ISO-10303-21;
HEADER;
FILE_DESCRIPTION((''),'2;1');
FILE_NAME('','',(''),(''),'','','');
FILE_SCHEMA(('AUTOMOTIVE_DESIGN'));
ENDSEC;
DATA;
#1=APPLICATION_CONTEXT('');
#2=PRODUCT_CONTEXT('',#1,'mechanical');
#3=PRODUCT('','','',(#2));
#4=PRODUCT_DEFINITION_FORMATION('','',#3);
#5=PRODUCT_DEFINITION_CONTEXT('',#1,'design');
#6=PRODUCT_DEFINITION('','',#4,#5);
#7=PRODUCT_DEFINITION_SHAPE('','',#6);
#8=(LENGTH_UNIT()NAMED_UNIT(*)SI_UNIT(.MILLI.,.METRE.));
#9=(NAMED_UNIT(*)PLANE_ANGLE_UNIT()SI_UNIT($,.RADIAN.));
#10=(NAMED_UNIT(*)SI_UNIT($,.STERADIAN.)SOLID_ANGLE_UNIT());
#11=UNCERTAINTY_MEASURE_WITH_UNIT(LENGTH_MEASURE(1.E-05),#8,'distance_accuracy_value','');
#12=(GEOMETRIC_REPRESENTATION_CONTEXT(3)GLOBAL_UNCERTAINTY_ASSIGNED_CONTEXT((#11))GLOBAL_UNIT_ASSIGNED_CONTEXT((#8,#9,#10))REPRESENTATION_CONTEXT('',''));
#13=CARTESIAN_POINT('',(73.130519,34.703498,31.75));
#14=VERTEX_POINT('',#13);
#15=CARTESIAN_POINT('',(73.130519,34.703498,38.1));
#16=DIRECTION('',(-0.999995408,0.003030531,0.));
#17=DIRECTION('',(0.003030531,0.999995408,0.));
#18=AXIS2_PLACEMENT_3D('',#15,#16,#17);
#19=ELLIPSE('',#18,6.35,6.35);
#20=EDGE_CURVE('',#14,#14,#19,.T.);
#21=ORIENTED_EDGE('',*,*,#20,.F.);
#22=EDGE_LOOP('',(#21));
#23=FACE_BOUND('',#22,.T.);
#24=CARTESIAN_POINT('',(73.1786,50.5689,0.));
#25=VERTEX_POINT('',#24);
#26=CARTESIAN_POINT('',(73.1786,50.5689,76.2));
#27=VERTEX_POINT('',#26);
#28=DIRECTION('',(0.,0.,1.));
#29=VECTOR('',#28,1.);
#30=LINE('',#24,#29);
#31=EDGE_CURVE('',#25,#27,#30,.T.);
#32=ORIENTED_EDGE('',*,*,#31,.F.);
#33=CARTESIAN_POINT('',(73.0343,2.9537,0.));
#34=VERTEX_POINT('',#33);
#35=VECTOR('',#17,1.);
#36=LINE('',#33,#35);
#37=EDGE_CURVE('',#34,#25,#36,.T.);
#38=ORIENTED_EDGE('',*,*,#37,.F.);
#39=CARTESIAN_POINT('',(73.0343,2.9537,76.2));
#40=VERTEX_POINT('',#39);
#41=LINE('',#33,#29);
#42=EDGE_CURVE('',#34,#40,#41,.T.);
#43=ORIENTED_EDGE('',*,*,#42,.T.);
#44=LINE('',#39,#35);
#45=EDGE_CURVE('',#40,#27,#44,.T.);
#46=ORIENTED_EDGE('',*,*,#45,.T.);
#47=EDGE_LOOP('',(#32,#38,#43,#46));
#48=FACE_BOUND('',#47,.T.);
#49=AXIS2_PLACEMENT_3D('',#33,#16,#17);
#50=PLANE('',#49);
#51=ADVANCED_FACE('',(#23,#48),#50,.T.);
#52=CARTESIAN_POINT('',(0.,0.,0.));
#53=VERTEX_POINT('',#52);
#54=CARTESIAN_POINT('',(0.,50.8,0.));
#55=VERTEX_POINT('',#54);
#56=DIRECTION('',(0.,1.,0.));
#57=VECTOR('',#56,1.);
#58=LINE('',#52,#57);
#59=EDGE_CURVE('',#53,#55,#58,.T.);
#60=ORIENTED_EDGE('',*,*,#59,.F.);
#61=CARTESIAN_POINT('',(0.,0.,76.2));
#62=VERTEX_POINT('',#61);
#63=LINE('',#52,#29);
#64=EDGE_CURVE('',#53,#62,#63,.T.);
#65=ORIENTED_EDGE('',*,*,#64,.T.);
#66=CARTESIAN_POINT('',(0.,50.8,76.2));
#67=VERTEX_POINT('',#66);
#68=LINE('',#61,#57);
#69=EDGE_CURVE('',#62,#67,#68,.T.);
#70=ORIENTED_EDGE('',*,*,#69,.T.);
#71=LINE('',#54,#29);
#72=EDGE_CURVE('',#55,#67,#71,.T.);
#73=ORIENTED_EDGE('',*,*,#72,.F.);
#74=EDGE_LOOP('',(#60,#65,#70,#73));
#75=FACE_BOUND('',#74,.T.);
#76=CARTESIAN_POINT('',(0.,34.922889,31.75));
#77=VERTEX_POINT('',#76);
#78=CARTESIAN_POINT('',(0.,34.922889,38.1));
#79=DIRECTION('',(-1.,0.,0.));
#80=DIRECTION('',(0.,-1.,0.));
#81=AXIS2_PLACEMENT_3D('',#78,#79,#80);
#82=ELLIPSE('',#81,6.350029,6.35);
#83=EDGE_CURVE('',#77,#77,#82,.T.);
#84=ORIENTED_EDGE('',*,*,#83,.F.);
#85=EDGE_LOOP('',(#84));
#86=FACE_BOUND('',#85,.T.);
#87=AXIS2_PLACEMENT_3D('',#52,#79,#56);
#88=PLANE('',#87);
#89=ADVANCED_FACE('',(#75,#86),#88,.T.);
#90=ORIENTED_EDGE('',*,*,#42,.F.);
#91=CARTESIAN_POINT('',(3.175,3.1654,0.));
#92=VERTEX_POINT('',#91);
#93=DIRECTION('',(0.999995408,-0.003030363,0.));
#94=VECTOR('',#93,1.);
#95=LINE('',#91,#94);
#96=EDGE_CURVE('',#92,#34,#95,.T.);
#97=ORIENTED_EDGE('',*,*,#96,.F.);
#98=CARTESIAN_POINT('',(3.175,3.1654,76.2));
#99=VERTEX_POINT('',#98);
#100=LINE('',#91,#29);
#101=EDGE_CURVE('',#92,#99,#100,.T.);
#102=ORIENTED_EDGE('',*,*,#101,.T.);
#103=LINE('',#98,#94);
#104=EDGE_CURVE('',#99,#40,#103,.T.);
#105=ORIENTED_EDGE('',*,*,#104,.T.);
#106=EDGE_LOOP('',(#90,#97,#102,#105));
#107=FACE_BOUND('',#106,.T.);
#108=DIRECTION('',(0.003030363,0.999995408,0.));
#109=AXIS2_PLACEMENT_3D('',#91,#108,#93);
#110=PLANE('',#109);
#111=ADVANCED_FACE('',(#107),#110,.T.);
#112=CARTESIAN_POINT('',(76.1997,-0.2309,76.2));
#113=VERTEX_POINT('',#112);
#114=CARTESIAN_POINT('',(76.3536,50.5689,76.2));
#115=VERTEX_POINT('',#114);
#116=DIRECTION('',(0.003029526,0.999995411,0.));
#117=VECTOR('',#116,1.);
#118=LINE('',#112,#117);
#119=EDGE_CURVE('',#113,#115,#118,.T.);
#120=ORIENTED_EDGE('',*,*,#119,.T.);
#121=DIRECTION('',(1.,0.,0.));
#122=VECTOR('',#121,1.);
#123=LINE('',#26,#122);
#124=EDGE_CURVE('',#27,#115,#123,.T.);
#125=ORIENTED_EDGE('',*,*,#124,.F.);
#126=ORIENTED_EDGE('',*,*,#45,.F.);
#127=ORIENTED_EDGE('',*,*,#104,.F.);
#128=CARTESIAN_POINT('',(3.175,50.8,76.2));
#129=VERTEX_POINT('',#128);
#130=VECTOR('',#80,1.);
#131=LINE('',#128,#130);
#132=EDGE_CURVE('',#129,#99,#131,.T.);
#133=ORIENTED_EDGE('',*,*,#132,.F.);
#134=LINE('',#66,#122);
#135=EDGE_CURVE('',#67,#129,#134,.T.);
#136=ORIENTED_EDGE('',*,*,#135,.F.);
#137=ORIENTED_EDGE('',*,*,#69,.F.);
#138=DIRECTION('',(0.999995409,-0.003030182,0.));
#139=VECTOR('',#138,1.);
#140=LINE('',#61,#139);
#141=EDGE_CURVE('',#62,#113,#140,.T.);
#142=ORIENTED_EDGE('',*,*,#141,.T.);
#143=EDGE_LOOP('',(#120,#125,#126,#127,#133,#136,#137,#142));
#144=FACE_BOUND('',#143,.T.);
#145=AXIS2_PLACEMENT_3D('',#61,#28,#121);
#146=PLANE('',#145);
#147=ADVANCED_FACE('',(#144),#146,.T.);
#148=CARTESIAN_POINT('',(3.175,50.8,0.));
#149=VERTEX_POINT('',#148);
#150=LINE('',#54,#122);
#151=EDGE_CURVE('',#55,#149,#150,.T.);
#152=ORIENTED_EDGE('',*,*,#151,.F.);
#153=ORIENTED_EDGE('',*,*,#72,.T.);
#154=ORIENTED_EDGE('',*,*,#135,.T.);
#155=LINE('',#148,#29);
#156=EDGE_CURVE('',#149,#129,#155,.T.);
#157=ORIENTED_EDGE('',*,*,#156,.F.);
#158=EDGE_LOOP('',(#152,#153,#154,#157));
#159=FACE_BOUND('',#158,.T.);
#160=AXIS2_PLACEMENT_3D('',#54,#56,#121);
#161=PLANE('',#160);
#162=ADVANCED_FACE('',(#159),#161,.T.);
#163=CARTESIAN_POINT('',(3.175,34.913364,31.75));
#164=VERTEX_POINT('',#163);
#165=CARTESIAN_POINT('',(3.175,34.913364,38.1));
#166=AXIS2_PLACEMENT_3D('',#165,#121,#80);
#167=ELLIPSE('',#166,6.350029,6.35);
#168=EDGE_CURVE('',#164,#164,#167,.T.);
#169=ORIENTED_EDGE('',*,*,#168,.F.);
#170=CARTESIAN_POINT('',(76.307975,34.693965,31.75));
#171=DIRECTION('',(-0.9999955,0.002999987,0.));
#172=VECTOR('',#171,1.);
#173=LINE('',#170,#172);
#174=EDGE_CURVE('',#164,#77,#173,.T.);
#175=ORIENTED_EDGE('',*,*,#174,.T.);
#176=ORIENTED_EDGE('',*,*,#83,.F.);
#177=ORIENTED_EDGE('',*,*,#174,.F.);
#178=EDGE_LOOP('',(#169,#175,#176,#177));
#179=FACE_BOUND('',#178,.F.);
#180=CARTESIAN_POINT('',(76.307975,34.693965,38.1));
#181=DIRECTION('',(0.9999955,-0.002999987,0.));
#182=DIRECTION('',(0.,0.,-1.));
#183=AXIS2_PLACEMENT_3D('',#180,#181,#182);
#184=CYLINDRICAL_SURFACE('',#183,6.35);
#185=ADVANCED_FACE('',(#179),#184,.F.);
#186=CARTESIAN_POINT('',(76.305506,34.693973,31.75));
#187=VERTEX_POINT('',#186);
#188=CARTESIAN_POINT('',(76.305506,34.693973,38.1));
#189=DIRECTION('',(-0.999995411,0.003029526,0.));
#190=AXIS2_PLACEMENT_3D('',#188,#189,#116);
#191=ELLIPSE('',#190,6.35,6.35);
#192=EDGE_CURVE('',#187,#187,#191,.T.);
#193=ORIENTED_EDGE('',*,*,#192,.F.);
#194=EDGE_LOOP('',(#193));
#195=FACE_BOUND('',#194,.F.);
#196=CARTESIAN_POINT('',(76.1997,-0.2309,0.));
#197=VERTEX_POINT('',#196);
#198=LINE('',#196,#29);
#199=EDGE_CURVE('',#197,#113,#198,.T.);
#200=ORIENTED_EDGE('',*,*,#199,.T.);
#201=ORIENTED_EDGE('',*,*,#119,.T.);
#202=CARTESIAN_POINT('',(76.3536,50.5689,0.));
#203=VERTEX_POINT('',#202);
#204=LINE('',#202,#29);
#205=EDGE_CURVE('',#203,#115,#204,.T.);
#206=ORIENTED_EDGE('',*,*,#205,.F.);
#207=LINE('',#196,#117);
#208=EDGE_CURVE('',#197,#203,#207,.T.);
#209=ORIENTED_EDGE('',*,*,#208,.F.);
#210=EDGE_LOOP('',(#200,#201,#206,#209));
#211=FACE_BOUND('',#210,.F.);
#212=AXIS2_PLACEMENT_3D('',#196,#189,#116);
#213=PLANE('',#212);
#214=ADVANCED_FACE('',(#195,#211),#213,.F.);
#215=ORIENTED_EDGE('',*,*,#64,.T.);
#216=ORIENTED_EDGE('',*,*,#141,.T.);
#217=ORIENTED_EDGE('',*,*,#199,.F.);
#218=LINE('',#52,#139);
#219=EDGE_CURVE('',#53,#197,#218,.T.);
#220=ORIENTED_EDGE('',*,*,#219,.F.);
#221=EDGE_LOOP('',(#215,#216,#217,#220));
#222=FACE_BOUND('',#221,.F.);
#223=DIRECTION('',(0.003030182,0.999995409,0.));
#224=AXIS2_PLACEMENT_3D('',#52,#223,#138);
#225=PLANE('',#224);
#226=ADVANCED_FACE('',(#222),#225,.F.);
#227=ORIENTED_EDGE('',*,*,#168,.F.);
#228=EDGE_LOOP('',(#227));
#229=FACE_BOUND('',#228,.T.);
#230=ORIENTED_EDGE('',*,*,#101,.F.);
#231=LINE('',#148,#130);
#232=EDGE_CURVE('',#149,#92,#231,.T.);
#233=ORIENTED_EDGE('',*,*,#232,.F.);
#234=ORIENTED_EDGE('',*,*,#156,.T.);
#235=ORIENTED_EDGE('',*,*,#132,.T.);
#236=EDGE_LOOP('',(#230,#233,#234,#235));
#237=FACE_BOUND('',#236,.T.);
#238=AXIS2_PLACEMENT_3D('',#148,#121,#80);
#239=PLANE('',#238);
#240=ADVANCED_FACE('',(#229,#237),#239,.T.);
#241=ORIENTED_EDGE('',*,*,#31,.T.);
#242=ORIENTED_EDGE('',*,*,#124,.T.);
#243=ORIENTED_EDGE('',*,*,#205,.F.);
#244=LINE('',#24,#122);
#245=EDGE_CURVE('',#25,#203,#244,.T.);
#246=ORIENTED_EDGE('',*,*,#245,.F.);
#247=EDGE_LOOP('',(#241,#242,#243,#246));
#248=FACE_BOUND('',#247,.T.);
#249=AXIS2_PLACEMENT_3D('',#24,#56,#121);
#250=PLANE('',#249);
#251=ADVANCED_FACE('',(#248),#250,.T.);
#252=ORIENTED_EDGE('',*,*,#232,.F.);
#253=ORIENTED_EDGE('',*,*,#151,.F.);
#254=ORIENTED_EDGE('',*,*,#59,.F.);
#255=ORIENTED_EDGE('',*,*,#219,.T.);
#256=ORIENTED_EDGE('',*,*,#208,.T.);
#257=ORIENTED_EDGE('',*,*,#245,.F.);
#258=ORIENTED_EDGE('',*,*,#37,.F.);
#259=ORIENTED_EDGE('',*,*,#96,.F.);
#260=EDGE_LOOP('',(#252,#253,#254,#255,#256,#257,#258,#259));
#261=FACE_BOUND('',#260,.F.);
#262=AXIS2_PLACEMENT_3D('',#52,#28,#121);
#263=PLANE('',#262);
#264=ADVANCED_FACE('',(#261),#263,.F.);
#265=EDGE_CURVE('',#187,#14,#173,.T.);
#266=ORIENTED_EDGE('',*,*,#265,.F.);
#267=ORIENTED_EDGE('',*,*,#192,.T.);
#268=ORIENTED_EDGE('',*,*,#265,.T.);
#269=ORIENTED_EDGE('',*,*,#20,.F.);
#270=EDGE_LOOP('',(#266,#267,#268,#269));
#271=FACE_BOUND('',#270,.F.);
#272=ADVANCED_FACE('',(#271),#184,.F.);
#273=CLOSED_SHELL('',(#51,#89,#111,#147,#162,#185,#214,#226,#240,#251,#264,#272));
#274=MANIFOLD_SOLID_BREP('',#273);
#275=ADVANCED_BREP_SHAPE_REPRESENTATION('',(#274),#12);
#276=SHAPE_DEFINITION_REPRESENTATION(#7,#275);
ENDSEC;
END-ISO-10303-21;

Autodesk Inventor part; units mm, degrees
ref_plane "YZ Plane" through (0, 0, 0) normal (1, 0, 0) x (0, 1, 0)
ref_plane "XZ Plane" through (0, 0, 0) normal (0, 1, 0) x (-1, 0, 0)
ref_plane "XY Plane" through (0, 0, 0) normal (0, 0, 1) x (1, 0, 0)
sketch "Sketch1" plane through (0, 0, 0) normal (0, 0, 1) x (1, 0, 0)
  line L0 (0, 0) -> (76.1997, -0.2309)
  line L1 (76.1997, -0.2309) -> (76.3536, 50.5689)
  line L2 (0, 0) -> (0, 50.8)
  line L3 (0, 0) -> (50.8, 0) construction
  line L4 (3.175, 50.8) -> (3.175, 3.1654)
  line L5 (3.175, 3.1654) -> (73.0343, 2.9537)
  line L6 (73.0343, 2.9537) -> (73.1786, 50.5689)
  line L7 (0, 50.8) -> (3.175, 50.8)
  line L8 (73.1786, 50.5689) -> (76.3536, 50.5689)
  dimension "d0" = 76.2
  dimension "d1" = 50.8
  dimension "d2" = 90
  dimension "d3" = 50.8
  dimension "d4" = 90
  dimension "d5" = 3.175
extrude "Extrusion1" add sketch "Sketch1" along normal blind 76.2
sketch "Sketch3" plane through (76.3536, 50.5689, 76.2) normal (1, -0.003, 0) x (0, 0, -1)
  circle A0 centre (38.1, -15.875) radius 6.35
  line L0 (76.2, 0) -> (0, 0) projected
  line L1 (76.2, -50.8) -> (76.2, 0) projected
  line L2 (76.2, -50.8) -> (0, -50.8) projected
  point P0 (76.2, -47.625)
  dimension "d9" = 12.7
  dimension "d11" = 38.1
  dimension "d14" = 34.925
extrude "Extrusion2" cut sketch "Sketch3" against normal blind 103.1875
properties part number "C Channel Connector" material "Aluminum 6061"
